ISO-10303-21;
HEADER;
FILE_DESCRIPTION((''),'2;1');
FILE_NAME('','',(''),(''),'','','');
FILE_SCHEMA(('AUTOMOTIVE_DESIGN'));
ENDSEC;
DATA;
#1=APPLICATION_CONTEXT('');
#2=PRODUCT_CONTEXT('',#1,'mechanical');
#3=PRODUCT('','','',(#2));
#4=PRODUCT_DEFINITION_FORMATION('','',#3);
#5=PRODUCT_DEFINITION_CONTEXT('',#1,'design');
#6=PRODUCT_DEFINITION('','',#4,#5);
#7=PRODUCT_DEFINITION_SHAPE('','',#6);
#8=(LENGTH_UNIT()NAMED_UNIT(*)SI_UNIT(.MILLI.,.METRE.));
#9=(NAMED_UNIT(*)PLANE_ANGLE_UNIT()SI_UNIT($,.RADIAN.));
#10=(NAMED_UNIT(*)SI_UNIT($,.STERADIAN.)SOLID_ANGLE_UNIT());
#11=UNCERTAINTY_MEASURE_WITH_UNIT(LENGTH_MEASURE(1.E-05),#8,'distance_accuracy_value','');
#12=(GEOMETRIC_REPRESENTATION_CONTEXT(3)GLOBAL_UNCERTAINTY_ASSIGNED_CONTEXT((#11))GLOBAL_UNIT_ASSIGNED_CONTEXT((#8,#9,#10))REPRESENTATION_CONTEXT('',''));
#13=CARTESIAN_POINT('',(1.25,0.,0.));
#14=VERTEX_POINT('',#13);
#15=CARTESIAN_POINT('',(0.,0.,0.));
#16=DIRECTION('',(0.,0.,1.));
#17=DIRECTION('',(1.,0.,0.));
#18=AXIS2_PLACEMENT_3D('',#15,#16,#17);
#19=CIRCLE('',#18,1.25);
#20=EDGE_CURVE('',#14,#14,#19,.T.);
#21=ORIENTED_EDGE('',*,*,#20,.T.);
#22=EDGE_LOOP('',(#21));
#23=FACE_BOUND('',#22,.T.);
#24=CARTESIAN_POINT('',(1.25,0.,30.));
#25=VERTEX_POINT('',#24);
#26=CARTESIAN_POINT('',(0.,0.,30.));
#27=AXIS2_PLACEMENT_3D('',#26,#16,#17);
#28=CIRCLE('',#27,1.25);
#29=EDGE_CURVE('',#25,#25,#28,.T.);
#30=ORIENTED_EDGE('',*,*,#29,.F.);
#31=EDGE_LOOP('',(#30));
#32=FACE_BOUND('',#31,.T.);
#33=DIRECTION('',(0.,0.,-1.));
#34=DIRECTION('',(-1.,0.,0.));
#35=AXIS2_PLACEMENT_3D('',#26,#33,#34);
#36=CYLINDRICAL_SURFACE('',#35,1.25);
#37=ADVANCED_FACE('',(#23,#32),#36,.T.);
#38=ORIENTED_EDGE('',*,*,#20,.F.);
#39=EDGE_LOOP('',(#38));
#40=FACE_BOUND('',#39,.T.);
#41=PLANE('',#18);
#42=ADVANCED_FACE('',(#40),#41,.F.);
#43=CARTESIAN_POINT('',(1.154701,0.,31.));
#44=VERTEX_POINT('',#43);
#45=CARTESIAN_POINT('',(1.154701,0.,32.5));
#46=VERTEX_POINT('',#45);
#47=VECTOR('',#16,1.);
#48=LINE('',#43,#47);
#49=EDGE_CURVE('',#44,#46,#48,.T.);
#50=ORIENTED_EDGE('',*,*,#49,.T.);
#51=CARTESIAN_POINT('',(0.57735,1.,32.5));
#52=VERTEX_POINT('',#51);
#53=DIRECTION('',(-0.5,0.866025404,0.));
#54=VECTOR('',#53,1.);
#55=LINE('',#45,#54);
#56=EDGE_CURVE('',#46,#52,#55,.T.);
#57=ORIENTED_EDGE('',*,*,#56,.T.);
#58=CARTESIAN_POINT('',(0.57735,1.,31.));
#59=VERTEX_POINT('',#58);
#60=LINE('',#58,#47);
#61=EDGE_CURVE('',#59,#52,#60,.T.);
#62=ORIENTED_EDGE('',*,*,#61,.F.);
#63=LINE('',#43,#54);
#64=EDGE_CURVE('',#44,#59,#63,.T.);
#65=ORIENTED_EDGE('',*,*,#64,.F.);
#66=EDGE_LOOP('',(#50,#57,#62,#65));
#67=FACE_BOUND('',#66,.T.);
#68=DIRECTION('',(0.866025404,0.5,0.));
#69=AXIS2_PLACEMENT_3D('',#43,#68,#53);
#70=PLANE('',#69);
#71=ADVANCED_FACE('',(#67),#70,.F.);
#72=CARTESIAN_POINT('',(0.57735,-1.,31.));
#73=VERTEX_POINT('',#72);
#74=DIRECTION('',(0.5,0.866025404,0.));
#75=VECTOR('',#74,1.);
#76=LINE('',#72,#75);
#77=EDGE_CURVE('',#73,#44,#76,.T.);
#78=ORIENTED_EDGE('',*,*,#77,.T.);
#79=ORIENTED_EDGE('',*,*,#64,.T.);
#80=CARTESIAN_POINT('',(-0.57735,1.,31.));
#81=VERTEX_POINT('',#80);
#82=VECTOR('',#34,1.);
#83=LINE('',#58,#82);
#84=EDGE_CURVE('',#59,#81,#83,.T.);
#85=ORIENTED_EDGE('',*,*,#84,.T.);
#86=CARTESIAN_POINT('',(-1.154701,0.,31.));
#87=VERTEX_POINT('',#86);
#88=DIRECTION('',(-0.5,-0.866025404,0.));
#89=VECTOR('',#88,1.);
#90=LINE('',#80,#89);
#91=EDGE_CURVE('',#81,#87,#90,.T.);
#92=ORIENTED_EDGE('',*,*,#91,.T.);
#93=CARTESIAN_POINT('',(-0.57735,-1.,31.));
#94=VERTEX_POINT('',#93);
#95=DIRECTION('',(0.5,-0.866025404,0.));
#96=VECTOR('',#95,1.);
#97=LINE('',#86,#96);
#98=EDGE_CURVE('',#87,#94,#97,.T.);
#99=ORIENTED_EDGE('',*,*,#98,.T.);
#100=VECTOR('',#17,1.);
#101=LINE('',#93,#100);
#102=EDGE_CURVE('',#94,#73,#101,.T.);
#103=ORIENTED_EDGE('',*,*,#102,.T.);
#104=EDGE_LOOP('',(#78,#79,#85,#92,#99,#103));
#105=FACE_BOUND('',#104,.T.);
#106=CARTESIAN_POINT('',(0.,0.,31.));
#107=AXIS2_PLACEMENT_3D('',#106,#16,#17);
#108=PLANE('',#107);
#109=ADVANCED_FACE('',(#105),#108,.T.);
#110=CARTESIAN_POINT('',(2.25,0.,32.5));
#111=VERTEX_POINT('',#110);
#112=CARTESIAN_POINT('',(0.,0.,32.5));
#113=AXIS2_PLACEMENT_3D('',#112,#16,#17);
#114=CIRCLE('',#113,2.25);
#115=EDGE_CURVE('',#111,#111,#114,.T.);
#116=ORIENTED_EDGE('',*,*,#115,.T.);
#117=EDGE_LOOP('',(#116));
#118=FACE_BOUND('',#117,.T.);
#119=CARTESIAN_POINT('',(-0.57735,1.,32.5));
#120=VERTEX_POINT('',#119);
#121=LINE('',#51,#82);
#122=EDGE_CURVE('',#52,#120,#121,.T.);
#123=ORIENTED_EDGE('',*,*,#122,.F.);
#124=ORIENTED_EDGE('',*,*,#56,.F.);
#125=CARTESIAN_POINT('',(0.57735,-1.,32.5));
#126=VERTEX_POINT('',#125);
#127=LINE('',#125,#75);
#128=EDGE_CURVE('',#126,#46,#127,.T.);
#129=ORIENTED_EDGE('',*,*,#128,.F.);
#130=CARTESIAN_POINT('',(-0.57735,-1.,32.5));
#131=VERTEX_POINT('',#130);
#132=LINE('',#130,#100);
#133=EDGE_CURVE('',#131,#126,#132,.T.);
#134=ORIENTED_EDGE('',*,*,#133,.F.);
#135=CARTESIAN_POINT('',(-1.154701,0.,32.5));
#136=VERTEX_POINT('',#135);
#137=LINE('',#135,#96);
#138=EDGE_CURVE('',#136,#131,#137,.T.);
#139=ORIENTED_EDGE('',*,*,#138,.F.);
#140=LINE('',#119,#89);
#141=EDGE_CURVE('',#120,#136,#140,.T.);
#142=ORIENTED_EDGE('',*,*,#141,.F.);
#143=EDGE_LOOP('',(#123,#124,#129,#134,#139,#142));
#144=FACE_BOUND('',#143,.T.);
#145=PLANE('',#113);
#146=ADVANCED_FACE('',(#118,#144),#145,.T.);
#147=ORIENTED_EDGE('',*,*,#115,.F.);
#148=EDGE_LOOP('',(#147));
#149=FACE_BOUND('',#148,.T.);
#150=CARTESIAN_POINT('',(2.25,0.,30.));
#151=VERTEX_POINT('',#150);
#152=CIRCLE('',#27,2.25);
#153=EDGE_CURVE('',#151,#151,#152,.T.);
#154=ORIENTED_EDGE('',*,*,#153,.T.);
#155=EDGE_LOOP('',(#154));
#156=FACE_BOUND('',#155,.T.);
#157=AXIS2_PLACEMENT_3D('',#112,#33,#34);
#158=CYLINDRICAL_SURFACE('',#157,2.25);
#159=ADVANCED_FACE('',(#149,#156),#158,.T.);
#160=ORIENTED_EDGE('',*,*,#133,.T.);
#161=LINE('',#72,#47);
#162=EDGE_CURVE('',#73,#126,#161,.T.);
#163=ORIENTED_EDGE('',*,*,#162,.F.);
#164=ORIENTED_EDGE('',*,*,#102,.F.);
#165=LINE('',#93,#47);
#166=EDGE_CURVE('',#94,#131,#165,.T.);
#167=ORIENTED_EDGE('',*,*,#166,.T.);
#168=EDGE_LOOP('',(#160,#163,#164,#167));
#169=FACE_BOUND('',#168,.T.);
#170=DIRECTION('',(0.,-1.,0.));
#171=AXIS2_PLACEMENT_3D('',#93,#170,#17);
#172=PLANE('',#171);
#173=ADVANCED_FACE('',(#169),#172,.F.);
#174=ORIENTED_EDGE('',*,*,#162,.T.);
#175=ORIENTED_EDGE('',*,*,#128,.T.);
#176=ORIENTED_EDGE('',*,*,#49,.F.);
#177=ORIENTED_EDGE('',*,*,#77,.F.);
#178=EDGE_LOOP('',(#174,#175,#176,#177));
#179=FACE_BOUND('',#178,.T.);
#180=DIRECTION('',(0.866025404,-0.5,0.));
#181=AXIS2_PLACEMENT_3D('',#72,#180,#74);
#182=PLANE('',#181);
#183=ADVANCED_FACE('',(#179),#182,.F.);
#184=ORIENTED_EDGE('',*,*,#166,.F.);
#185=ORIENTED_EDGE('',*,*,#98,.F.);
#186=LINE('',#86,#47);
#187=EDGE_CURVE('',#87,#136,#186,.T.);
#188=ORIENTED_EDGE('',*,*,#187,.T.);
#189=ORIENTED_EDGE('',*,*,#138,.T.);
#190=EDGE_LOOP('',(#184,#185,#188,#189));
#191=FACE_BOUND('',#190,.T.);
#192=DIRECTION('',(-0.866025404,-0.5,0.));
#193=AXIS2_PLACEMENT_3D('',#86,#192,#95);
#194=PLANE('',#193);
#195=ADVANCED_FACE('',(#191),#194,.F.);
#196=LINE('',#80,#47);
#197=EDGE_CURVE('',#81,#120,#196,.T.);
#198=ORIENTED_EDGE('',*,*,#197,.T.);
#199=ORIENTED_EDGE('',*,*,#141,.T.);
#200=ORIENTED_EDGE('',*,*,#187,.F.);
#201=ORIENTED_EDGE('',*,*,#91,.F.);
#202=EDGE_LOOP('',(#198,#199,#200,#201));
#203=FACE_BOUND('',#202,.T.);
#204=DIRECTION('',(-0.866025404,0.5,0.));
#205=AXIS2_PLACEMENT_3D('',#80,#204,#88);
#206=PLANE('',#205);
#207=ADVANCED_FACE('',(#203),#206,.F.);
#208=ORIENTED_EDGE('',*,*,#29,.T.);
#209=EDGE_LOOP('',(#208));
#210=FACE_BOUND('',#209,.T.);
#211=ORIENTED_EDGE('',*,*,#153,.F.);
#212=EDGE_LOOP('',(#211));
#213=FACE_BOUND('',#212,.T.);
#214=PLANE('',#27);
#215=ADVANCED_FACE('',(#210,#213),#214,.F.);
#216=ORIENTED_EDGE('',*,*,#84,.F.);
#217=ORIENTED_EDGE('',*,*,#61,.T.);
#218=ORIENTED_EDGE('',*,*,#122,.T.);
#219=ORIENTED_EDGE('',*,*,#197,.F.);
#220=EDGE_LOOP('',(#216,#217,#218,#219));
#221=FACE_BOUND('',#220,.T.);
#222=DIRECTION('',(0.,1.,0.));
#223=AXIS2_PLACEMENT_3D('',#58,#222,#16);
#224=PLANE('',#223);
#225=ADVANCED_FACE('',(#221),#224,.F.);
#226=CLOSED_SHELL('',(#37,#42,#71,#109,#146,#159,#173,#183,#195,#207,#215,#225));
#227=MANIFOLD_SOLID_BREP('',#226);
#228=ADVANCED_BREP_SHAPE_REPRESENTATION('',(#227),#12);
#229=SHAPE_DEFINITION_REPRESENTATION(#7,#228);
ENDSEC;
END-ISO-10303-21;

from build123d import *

# Parameters (mm, degrees)
ESQUISSE1_R             = 1.25
BOSS_EXTRU_1_DEPTH      = 30
ESQUISSE2_R             = 2.25
BOSS_EXTRU_2_DEPTH      = 2.5
ENL_V_MAT_EXTRU_1_DEPTH = 1.5


with BuildPart() as part:
    # Esquisse1 → Boss.-Extru.1 (new body)
    with BuildSketch(Plane.XY):
        Circle(ESQUISSE1_R)
    extrude(amount=BOSS_EXTRU_1_DEPTH)

    # Esquisse2 → Boss.-Extru.2 (add)
    with BuildSketch(Plane.XY.offset(30)):
        Circle(ESQUISSE2_R)
    extrude(amount=BOSS_EXTRU_2_DEPTH)

    # Esquisse3 → Enlèv. mat.-Extru.1 (cut)
    with BuildSketch(Plane.XY.offset(32.5)):
        Polygon((1.154700538, 0), (0.577350269, 1), (-0.577350269, 1), (-1.154700538, 0), (-0.577350269, -1), (0.577350269, -1), align=None)
    extrude(amount=-ENL_V_MAT_EXTRU_1_DEPTH, mode=Mode.SUBTRACT)


solid = part.part
